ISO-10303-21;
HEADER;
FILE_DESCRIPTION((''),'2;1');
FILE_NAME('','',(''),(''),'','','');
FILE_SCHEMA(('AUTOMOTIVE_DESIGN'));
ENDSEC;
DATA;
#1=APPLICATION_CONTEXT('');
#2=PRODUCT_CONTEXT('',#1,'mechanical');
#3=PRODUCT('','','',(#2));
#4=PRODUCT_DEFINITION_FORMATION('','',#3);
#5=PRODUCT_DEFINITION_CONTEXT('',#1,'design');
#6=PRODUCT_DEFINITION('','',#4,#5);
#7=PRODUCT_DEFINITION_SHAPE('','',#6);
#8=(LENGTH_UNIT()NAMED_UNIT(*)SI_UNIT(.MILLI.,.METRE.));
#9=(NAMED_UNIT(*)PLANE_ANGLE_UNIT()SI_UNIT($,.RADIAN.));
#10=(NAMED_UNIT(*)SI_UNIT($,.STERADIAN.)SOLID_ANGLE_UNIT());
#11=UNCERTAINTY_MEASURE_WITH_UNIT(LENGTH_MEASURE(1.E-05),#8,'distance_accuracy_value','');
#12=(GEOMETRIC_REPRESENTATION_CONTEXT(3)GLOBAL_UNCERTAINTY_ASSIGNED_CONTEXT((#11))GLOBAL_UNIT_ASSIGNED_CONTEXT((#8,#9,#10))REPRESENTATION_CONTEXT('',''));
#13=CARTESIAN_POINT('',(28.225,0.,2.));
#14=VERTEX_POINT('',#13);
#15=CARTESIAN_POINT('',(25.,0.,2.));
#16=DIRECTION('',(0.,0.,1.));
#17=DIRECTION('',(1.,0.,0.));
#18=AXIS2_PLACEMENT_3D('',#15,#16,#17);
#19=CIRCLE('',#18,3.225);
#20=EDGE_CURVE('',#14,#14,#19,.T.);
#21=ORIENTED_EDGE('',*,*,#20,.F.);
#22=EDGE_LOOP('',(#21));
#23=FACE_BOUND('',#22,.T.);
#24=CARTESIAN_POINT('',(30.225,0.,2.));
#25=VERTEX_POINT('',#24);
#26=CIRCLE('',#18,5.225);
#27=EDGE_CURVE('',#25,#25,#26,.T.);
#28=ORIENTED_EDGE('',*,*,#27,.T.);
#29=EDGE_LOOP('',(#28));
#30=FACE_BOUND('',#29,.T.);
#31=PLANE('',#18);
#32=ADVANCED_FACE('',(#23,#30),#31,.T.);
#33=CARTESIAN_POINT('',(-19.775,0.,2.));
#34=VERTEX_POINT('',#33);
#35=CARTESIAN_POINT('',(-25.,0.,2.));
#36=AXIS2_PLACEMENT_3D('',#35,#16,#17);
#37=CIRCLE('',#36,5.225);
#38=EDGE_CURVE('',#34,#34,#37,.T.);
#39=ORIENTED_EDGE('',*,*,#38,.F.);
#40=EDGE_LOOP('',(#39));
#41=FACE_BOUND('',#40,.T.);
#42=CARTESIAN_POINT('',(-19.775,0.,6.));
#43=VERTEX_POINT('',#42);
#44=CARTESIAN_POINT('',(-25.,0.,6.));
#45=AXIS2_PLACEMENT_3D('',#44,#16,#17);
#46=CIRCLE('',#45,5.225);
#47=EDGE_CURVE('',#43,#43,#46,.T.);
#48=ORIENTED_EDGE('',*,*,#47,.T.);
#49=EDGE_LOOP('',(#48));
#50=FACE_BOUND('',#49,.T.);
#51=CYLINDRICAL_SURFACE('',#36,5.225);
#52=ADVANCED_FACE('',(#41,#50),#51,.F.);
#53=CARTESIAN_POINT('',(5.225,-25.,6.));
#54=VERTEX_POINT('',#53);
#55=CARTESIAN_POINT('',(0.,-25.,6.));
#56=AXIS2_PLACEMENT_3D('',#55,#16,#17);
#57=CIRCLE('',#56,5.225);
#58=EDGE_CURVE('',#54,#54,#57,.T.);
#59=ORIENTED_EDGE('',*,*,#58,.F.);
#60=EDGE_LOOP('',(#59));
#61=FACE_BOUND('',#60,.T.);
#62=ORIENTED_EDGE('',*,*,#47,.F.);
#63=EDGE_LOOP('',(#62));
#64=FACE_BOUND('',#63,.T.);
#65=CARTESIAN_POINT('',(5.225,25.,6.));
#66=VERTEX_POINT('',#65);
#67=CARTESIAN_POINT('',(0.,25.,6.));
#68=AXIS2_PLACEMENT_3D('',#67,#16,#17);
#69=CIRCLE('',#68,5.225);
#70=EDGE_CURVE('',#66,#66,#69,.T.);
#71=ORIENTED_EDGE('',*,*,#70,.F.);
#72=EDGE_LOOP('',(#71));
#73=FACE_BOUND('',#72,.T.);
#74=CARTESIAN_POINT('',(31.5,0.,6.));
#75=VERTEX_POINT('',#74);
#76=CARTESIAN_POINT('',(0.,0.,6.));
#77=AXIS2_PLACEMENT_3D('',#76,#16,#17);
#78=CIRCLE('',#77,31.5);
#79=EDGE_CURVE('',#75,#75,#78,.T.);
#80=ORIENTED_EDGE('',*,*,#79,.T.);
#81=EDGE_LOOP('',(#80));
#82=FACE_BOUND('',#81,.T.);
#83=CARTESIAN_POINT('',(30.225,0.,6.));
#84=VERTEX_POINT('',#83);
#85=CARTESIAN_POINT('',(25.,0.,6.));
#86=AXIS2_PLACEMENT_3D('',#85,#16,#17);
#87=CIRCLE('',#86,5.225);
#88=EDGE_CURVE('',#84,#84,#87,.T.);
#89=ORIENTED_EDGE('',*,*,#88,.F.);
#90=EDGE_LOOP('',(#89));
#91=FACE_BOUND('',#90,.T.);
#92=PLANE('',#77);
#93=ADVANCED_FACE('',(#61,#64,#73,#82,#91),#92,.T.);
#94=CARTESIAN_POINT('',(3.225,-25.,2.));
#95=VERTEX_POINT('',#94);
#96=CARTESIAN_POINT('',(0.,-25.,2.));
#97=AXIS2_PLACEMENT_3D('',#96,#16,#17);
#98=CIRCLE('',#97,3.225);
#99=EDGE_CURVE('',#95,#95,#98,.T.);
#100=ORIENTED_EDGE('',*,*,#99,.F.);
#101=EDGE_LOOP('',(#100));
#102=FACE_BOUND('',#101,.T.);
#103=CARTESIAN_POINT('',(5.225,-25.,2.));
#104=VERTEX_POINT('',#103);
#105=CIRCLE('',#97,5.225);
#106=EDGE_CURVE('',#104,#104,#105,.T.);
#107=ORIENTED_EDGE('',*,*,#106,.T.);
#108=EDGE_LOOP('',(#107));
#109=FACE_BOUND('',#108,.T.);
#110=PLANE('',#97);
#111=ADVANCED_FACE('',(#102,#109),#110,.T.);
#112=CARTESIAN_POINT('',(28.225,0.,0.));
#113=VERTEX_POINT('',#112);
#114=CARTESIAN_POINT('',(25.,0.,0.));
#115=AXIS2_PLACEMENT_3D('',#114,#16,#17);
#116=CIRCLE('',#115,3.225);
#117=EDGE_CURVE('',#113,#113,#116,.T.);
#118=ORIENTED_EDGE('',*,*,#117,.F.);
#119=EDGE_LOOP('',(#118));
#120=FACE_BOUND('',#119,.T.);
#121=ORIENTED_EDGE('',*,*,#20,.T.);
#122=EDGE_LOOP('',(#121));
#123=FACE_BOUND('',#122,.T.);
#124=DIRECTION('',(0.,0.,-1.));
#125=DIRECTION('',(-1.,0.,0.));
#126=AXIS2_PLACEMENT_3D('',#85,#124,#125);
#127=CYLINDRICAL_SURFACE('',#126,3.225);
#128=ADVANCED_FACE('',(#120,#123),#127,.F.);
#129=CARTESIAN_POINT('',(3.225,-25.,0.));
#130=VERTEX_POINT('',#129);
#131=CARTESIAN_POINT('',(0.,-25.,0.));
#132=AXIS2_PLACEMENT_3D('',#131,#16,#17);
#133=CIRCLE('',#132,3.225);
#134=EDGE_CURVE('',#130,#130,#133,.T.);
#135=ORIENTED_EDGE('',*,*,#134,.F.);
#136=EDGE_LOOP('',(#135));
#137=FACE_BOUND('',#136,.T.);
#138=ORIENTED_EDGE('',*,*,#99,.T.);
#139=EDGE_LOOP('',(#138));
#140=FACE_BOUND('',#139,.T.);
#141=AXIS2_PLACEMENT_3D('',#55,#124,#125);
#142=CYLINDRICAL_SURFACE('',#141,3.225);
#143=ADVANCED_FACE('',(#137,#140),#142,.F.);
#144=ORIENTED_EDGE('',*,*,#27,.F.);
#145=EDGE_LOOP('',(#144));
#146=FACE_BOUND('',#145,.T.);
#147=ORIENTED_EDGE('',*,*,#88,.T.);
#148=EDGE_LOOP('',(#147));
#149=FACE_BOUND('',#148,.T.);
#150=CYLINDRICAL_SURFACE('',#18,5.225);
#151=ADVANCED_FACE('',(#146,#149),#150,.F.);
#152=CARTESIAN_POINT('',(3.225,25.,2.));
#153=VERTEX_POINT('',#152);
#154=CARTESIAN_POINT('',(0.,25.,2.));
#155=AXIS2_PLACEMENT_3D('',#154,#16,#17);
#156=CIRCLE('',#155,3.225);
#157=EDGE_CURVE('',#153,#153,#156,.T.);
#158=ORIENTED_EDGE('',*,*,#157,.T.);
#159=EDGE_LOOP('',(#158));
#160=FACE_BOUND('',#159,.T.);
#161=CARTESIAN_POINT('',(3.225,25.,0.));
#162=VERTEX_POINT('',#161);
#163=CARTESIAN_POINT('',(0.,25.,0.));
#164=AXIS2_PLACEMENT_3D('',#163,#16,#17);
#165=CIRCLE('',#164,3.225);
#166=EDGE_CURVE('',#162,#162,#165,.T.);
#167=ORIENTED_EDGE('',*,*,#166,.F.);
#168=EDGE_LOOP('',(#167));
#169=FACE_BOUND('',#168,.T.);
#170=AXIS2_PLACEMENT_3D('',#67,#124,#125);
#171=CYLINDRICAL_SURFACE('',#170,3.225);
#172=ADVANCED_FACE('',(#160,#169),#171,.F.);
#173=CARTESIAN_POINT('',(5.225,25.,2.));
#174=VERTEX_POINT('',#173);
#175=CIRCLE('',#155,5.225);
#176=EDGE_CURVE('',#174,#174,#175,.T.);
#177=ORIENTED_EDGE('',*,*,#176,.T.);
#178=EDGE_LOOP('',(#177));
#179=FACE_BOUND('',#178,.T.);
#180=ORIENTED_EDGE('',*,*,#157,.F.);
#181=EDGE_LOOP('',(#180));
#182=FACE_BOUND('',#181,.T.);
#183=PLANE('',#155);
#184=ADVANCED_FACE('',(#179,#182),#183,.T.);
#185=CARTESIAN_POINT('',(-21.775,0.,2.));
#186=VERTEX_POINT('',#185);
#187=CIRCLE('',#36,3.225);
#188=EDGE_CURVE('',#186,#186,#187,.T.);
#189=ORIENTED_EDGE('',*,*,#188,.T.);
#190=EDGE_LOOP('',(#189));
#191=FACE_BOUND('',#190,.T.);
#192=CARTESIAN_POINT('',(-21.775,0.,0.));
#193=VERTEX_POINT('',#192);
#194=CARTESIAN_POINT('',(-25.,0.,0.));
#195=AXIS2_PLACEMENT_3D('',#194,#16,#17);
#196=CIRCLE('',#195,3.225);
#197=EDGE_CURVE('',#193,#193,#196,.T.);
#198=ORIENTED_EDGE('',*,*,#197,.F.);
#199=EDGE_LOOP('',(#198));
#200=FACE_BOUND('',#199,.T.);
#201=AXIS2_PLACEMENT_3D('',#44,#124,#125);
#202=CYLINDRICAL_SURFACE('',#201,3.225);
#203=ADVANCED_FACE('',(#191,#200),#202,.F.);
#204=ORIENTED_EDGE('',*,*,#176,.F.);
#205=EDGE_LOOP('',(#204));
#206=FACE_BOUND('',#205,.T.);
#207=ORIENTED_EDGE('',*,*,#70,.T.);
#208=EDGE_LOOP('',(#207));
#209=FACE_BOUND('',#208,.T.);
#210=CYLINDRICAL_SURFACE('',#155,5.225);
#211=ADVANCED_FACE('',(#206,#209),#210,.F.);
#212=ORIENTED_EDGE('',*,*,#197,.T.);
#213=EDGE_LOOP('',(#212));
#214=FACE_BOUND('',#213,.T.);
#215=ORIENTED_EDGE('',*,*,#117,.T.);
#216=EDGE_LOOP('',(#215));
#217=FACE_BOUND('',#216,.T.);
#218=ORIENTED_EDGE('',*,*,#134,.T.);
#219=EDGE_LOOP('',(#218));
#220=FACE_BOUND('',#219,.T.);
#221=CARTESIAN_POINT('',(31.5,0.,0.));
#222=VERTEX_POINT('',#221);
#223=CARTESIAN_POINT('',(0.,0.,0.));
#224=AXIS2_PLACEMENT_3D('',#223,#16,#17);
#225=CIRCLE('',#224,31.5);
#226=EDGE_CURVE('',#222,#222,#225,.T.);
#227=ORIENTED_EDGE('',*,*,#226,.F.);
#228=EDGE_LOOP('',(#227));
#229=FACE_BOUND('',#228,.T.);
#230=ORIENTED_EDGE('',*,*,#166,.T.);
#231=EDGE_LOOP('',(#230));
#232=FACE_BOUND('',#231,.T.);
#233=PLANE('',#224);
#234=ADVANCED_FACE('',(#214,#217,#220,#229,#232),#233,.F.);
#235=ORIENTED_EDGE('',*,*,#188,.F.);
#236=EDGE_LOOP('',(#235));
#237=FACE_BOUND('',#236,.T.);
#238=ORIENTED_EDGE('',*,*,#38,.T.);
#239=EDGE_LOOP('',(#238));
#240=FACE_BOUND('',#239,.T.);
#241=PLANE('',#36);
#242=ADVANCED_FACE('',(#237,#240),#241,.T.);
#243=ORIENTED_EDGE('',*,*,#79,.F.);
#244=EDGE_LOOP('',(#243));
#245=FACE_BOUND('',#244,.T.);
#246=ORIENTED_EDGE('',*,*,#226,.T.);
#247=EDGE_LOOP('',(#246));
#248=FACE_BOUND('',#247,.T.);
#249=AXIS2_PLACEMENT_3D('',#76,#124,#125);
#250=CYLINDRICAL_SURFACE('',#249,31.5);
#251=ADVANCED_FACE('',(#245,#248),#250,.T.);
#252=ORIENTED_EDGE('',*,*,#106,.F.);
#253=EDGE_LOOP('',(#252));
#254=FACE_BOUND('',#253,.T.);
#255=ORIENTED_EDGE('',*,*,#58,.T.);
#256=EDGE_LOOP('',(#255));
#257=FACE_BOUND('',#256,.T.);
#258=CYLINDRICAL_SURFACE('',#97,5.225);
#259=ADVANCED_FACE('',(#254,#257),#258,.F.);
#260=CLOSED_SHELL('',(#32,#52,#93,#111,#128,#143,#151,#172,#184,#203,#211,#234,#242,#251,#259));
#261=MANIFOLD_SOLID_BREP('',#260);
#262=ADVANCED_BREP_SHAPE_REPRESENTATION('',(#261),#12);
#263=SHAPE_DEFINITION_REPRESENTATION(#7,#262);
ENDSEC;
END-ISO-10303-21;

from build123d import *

# Parameters (mm, degrees)
SKETCH1_R              = 31.5
SKETCH1_R_2            = 3.225
MAIN_PA10_FLANGE_DEPTH = 6
SKETCH3_R              = 5.225
M6_HOLE_DEPTH          = 4


with BuildPart() as part:
    # Sketch1 → Main PA10 Flange (new body)
    with BuildSketch(Plane.XY):
        Circle(SKETCH1_R)
        with Locations((0, -25)):
            Circle(SKETCH1_R_2, mode=Mode.SUBTRACT)
        with Locations((-25, 0)):
            Circle(SKETCH1_R_2, mode=Mode.SUBTRACT)
        with Locations((0, 25)):
            Circle(SKETCH1_R_2, mode=Mode.SUBTRACT)
        with Locations((25, 0)):
            Circle(SKETCH1_R_2, mode=Mode.SUBTRACT)
    extrude(amount=MAIN_PA10_FLANGE_DEPTH)

    # Sketch3 → M6 Hole (cut)
    with BuildSketch(Plane.XY.offset(6)):
        with Locations((0, -25)):
            Circle(SKETCH3_R)
        with Locations((-25, 0)):
            Circle(SKETCH3_R)
        with Locations((0, 25)):
            Circle(SKETCH3_R)
        with Locations((25, 0)):
            Circle(SKETCH3_R)
    extrude(amount=-M6_HOLE_DEPTH, mode=Mode.SUBTRACT)


solid = part.part
